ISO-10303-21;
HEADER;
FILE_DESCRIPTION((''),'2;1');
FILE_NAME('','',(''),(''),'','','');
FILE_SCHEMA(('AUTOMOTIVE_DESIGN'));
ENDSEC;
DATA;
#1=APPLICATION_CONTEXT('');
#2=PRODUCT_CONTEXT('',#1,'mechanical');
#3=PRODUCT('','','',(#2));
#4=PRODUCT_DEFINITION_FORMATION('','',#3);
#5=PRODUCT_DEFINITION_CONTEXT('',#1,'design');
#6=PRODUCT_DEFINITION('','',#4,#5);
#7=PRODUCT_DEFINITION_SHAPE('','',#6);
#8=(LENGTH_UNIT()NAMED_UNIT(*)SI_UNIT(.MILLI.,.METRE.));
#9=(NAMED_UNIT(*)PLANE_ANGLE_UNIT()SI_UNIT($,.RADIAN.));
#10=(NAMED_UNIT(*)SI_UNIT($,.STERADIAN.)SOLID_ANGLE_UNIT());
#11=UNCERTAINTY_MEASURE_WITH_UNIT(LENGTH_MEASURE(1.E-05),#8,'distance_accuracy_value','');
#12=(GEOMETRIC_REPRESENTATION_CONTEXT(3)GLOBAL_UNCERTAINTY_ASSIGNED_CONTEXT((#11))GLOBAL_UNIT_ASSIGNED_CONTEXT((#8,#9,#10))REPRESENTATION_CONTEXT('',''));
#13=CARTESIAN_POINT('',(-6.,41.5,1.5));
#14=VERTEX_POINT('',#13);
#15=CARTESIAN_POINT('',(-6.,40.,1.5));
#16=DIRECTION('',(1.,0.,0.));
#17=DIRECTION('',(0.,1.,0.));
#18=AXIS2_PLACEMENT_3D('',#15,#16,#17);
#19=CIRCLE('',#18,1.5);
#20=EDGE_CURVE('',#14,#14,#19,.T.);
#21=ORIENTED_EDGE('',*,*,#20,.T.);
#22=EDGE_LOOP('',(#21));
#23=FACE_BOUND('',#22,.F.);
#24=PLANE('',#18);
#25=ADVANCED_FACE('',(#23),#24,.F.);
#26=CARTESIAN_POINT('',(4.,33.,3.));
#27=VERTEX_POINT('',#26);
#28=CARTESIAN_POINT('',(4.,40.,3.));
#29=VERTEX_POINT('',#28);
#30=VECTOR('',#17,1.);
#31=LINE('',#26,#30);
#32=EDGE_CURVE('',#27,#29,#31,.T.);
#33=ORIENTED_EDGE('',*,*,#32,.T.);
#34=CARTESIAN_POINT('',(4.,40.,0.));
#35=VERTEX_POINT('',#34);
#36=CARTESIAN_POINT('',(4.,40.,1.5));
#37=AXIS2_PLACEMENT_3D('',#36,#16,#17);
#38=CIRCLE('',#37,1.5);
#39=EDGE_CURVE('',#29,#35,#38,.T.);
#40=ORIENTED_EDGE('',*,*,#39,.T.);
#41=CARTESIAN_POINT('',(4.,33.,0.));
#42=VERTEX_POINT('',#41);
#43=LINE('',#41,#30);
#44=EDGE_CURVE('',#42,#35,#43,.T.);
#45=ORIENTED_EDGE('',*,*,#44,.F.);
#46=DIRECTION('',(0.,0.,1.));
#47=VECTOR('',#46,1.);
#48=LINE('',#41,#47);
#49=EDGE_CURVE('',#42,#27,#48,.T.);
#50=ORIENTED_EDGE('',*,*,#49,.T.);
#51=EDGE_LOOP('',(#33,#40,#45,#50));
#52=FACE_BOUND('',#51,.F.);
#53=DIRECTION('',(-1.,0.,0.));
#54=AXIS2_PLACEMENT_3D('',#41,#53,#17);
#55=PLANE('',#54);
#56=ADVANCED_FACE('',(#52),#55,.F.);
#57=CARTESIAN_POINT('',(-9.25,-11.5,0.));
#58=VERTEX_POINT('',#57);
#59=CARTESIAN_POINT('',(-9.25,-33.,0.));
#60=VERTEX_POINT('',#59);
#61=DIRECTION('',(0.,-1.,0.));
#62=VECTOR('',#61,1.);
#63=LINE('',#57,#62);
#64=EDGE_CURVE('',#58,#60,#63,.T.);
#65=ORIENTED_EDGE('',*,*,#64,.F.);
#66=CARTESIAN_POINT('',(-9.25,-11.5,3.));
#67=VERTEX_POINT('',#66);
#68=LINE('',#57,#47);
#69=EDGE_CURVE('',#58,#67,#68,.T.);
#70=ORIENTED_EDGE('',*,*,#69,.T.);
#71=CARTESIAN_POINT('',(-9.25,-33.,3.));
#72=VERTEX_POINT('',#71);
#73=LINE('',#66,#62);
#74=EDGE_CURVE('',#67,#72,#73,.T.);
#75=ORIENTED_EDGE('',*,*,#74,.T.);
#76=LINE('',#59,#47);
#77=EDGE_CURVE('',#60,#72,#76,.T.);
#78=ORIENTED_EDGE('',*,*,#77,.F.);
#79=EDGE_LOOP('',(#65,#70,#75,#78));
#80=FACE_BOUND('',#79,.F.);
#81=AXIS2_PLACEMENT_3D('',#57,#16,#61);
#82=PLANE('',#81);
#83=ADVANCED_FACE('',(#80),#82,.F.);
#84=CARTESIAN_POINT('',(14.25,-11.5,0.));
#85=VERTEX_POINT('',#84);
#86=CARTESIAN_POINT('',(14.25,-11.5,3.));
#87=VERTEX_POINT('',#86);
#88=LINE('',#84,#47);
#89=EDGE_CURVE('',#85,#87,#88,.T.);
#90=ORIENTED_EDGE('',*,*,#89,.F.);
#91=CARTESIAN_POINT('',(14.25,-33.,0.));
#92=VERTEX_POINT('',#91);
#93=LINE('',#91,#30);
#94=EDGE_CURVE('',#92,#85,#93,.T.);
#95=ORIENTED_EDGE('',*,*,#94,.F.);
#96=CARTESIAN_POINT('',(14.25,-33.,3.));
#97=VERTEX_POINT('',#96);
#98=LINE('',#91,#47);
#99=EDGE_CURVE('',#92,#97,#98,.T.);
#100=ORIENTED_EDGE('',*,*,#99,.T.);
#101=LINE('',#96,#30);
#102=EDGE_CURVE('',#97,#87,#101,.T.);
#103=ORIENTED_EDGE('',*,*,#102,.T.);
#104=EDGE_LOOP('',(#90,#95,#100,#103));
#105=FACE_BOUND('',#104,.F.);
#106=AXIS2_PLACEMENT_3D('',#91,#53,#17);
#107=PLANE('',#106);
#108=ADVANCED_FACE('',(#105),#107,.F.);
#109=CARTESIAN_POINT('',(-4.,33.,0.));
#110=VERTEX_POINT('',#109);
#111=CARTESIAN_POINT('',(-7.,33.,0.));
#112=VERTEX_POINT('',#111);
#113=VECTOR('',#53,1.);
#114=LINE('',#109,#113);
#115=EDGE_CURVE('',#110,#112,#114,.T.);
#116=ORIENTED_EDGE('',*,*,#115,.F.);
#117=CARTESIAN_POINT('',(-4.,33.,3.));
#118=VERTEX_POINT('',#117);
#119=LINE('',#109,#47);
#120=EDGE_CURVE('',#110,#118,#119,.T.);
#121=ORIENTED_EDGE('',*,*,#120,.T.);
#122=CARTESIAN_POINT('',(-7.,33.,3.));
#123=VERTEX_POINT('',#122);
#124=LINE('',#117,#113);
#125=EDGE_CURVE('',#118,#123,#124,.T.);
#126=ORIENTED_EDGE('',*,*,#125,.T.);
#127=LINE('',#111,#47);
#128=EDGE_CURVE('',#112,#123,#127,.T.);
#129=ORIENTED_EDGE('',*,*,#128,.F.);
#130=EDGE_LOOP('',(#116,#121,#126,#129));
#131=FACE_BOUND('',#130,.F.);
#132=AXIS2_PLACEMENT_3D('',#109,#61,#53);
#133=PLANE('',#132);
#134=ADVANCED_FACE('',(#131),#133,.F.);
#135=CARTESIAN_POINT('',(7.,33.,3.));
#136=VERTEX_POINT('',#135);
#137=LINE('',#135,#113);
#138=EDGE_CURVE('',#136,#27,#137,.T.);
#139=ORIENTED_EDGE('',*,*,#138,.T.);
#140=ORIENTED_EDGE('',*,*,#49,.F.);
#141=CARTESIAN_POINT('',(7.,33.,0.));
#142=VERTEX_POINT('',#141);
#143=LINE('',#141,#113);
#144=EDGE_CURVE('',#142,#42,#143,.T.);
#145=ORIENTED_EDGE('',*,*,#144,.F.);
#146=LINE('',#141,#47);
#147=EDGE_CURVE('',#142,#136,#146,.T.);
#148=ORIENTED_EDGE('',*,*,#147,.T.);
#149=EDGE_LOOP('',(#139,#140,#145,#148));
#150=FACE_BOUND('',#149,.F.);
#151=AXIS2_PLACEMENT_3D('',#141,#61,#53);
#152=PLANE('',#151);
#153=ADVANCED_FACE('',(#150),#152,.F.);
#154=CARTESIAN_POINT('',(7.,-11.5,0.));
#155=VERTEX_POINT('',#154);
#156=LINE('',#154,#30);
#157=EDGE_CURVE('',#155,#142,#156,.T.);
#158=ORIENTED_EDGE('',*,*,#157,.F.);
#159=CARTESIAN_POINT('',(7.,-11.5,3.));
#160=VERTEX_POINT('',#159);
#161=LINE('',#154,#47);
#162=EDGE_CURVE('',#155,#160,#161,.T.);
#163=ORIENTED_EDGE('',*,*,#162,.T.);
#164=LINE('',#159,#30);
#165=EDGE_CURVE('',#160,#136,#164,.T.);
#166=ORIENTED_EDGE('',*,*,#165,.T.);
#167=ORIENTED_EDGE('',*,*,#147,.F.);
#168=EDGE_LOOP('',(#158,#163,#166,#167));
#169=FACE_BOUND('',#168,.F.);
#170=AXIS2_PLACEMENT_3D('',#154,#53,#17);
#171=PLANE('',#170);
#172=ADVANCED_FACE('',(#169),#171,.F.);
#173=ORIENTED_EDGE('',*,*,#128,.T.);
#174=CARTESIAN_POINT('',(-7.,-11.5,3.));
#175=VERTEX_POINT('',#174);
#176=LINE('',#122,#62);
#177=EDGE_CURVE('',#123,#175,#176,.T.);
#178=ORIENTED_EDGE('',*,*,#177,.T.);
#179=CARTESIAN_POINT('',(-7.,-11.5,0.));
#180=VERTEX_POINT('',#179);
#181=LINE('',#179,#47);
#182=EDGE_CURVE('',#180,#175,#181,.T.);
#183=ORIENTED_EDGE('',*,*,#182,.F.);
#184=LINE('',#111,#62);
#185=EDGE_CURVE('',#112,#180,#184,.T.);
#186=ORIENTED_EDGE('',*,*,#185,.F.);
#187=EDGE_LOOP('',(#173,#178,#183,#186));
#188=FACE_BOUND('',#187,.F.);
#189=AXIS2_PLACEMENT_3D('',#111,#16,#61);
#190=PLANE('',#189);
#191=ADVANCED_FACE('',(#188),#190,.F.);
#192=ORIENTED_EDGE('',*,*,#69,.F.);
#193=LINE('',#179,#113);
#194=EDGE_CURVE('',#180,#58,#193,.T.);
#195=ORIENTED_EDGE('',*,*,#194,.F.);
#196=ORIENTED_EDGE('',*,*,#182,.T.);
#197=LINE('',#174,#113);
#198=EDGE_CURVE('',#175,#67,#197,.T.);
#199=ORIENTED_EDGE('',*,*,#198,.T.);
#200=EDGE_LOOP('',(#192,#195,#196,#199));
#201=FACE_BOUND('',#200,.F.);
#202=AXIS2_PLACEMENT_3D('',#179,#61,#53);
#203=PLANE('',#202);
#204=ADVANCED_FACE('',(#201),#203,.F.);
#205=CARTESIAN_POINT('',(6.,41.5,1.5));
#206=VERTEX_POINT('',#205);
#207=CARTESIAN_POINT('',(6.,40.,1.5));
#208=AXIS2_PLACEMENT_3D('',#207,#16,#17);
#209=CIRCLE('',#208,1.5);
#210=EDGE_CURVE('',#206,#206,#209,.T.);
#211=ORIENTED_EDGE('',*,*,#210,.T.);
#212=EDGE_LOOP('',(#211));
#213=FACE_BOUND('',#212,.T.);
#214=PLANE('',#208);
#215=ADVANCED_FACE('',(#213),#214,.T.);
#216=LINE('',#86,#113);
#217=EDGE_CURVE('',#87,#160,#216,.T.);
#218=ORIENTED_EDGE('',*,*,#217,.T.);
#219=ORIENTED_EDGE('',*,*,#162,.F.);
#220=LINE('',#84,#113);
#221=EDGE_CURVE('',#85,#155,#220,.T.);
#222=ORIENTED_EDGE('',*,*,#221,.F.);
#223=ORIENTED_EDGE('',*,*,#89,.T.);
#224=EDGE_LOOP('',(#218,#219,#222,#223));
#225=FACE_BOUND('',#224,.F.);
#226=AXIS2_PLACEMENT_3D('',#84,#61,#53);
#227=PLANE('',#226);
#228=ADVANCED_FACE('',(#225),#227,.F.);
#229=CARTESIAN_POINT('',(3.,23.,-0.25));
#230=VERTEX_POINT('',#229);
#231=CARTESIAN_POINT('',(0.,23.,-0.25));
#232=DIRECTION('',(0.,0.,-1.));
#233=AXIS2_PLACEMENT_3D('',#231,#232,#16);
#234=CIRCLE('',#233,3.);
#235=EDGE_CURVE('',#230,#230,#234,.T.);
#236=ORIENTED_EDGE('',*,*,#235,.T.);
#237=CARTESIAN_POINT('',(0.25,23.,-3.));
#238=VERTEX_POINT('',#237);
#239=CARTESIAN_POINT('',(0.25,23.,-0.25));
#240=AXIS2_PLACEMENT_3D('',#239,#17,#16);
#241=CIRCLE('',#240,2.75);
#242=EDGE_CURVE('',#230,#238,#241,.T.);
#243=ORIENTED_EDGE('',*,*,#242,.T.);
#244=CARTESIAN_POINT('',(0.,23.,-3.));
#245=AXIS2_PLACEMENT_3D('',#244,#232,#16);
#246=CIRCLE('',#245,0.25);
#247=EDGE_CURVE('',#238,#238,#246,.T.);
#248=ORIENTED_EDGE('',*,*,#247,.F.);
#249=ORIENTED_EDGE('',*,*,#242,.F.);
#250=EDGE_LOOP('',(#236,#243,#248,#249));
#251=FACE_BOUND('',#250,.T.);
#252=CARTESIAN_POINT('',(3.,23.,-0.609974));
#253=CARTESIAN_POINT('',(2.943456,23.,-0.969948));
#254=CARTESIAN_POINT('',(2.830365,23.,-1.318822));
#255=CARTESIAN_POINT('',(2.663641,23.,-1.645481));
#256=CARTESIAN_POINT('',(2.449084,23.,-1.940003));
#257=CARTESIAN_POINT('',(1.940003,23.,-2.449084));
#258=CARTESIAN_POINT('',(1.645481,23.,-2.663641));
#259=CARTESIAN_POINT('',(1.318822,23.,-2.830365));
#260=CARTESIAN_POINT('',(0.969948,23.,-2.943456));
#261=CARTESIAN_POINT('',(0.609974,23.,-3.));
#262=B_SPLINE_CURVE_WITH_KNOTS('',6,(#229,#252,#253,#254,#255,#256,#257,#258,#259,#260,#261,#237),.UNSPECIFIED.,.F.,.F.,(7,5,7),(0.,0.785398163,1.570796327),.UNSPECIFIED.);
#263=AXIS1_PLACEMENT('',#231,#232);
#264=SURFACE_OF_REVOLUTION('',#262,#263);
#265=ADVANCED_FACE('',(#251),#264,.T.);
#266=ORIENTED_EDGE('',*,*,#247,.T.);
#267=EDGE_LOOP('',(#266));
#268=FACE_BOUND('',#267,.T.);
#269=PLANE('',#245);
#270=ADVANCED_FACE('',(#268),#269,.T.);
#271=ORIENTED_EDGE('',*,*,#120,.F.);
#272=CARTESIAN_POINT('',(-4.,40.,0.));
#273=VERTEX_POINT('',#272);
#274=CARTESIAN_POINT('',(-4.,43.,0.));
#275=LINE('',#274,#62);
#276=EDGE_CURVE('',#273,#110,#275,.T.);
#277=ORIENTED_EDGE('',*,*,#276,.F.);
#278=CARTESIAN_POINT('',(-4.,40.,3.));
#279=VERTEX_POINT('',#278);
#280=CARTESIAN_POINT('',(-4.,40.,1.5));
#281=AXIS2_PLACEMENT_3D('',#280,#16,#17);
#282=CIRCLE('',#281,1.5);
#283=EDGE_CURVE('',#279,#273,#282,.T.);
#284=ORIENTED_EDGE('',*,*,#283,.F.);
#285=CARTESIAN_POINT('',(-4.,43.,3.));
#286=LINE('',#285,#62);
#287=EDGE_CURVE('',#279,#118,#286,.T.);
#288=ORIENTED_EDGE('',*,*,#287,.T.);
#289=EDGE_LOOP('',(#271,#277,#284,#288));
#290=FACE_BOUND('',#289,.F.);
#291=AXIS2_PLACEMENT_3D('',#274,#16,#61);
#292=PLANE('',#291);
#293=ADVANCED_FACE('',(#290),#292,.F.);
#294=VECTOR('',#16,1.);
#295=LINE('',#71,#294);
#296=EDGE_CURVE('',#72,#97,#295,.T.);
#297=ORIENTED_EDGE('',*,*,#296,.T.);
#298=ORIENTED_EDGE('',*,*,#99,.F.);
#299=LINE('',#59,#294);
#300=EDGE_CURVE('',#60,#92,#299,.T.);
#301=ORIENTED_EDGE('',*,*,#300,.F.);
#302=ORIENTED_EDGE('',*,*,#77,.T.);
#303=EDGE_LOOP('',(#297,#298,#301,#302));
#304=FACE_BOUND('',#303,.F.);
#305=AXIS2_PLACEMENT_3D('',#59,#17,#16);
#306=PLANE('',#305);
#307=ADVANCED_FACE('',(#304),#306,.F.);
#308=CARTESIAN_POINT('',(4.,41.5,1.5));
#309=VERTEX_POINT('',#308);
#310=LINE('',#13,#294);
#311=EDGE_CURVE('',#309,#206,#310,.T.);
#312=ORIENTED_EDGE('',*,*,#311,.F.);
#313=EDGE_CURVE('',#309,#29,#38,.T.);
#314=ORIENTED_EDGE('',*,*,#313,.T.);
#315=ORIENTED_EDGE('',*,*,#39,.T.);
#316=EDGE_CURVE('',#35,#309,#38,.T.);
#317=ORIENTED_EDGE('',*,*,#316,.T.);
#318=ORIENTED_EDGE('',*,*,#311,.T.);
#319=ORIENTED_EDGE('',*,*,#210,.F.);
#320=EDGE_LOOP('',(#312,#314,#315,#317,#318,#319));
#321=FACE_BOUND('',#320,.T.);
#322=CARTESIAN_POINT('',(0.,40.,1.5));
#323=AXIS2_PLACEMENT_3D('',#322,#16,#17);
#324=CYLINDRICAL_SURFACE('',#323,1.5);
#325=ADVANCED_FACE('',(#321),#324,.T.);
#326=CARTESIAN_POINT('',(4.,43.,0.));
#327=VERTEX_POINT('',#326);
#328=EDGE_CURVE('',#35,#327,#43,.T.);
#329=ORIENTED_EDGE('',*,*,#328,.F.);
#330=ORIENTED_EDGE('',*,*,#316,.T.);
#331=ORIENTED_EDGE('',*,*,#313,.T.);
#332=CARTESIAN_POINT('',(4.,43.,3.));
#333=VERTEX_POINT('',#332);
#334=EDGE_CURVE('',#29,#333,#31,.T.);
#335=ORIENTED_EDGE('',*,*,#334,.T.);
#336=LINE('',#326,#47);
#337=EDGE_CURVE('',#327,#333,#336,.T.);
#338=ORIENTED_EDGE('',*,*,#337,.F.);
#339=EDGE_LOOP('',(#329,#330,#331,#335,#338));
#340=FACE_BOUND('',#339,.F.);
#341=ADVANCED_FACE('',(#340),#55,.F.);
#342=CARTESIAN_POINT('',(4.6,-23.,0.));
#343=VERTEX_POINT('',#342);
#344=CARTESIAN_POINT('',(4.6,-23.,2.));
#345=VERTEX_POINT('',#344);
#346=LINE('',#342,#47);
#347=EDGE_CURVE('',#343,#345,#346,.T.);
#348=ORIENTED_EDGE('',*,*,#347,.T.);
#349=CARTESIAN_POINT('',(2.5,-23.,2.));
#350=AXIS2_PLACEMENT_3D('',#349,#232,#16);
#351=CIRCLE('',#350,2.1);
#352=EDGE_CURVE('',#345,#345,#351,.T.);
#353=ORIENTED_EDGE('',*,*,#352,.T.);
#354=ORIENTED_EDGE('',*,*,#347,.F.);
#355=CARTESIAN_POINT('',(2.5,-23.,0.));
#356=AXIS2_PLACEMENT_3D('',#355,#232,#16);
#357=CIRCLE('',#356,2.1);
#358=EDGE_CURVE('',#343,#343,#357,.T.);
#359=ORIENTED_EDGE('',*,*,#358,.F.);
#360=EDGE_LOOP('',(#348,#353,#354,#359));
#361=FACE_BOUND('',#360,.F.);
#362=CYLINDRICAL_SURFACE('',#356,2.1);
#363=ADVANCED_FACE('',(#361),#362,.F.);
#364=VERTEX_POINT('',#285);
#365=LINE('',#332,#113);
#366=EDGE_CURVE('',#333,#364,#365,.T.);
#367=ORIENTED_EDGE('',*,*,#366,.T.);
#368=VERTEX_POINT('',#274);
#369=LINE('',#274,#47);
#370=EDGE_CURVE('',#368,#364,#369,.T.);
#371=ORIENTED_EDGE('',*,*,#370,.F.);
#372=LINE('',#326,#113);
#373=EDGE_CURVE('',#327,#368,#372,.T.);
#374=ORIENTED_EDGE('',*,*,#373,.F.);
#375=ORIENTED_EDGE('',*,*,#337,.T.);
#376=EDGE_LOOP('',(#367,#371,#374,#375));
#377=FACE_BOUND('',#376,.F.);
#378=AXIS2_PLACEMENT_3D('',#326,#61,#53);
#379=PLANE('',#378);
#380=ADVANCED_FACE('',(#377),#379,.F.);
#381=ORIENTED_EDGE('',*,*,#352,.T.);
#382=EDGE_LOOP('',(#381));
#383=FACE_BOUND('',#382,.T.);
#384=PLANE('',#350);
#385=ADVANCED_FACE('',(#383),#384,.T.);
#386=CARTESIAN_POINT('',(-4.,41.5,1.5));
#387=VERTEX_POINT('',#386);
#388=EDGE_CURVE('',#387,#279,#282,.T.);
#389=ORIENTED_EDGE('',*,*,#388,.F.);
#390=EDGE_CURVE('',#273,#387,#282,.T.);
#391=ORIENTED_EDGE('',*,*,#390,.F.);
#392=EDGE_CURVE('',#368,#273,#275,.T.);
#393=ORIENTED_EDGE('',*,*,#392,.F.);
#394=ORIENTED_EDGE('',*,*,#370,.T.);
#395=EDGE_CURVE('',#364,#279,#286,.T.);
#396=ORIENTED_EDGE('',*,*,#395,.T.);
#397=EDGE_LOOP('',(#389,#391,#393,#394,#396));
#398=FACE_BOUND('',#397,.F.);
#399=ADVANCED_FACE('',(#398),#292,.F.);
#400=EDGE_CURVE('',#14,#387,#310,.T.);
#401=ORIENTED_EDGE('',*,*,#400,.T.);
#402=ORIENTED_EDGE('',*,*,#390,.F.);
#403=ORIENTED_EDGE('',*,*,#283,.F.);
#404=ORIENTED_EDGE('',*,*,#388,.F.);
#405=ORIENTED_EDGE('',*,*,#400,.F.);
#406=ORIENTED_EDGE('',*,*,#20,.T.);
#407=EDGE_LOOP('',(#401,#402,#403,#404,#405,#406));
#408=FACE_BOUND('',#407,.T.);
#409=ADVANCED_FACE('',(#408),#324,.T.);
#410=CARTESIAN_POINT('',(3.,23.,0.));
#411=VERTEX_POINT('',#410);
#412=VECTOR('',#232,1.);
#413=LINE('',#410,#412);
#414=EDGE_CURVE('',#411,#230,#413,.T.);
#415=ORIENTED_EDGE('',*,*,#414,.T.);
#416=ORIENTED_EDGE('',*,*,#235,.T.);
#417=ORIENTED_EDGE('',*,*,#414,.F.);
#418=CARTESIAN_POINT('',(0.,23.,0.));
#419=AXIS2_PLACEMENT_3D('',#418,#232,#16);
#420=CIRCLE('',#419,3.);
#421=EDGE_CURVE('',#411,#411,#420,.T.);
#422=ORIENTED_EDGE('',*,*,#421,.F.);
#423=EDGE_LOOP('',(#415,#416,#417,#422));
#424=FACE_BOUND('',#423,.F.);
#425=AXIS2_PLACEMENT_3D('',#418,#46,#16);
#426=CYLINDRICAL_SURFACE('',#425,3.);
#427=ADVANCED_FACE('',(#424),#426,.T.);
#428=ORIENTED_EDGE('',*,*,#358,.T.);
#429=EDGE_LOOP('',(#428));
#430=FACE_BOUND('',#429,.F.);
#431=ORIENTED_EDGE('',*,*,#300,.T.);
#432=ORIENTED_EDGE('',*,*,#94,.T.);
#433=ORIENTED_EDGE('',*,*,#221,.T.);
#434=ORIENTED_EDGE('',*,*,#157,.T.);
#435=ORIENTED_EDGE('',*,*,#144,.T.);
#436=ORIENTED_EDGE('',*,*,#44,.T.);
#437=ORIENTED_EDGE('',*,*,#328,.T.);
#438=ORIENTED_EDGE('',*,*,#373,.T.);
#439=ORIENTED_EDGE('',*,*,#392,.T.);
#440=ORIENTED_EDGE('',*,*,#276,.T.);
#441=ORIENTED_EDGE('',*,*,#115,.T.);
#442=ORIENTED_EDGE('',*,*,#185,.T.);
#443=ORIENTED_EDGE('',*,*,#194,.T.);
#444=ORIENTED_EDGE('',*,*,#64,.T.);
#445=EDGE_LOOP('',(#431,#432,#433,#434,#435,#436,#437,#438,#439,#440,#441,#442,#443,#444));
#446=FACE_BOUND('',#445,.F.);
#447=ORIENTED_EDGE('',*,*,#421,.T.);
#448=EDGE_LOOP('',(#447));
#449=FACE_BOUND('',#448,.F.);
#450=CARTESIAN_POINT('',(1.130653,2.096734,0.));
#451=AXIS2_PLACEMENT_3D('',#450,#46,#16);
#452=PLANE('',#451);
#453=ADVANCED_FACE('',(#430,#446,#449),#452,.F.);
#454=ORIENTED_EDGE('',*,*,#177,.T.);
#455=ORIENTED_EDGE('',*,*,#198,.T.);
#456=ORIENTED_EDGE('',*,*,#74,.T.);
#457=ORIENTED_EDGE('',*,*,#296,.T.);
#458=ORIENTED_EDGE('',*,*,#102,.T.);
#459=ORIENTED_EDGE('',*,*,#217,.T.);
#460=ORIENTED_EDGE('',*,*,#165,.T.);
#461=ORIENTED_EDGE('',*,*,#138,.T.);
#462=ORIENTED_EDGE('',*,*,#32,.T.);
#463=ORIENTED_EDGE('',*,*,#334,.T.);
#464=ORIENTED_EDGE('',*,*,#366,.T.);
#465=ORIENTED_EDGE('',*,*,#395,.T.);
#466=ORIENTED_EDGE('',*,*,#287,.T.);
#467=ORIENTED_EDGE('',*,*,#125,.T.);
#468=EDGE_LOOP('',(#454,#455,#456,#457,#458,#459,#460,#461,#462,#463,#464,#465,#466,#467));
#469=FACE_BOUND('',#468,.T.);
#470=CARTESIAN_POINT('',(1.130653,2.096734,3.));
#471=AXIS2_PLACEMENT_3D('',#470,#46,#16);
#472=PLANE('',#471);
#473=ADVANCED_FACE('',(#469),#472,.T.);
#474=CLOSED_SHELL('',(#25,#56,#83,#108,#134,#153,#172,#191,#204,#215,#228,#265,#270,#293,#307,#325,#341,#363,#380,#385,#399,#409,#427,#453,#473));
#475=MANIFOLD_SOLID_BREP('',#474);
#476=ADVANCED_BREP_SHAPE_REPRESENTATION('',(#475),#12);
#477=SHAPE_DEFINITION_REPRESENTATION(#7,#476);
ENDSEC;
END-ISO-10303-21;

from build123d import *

# Parameters (mm, degrees)
PAD_DEPTH    = 3
SKETCH001_R  = 1.5
PAD001_DEPTH = 6
SKETCH002_R  = 2.1
POCKET_DEPTH = 2
SKETCH003_R  = 3
PAD002_DEPTH = 3
FILLET_R     = 2.75


with BuildPart() as part:
    # Sketch → Pad (new body)
    with BuildSketch(Plane.XY):
        Polygon((-9.25, -33), (14.25, -33), (14.25, -11.5), (7, -11.5), (7, 33), (4, 33), (4, 43), (-4, 43), (-4, 33), (-7, 33), (-7, -11.5), (-9.25, -11.5), align=None)
    extrude(amount=PAD_DEPTH)

    # Sketch001 → Pad001 (join, symmetric)
    with BuildSketch(Plane.YZ):
        with Locations((40, 1.5)):
            Circle(SKETCH001_R)
    extrude(amount=PAD001_DEPTH, both=True)

    # Sketch002 (on Face4 of Pad001) → Pocket (cut)
    with BuildSketch(Plane(origin=(0, 0, 0), x_dir=(1, 0, 0), z_dir=(0, 0, -1))):
        with Locations((2.5, 23)):
            Circle(SKETCH002_R)
    extrude(amount=-POCKET_DEPTH, mode=Mode.SUBTRACT)

    # Sketch003 (on Face4 of Pocket) → Pad002 (join)
    with BuildSketch(Plane(origin=(0, 0, 0), x_dir=(1, 0, 0), z_dir=(0, 0, -1))):
        with Locations((0, -23)):
            Circle(SKETCH003_R)
    extrude(amount=PAD002_DEPTH)

    # Fillet
    fillet_edges = [part.edges().sort_by_distance(p)[0] for p in [
        (-3, 23, -3),
    ]]
    fillet(fillet_edges, radius=FILLET_R)


solid = part.part
